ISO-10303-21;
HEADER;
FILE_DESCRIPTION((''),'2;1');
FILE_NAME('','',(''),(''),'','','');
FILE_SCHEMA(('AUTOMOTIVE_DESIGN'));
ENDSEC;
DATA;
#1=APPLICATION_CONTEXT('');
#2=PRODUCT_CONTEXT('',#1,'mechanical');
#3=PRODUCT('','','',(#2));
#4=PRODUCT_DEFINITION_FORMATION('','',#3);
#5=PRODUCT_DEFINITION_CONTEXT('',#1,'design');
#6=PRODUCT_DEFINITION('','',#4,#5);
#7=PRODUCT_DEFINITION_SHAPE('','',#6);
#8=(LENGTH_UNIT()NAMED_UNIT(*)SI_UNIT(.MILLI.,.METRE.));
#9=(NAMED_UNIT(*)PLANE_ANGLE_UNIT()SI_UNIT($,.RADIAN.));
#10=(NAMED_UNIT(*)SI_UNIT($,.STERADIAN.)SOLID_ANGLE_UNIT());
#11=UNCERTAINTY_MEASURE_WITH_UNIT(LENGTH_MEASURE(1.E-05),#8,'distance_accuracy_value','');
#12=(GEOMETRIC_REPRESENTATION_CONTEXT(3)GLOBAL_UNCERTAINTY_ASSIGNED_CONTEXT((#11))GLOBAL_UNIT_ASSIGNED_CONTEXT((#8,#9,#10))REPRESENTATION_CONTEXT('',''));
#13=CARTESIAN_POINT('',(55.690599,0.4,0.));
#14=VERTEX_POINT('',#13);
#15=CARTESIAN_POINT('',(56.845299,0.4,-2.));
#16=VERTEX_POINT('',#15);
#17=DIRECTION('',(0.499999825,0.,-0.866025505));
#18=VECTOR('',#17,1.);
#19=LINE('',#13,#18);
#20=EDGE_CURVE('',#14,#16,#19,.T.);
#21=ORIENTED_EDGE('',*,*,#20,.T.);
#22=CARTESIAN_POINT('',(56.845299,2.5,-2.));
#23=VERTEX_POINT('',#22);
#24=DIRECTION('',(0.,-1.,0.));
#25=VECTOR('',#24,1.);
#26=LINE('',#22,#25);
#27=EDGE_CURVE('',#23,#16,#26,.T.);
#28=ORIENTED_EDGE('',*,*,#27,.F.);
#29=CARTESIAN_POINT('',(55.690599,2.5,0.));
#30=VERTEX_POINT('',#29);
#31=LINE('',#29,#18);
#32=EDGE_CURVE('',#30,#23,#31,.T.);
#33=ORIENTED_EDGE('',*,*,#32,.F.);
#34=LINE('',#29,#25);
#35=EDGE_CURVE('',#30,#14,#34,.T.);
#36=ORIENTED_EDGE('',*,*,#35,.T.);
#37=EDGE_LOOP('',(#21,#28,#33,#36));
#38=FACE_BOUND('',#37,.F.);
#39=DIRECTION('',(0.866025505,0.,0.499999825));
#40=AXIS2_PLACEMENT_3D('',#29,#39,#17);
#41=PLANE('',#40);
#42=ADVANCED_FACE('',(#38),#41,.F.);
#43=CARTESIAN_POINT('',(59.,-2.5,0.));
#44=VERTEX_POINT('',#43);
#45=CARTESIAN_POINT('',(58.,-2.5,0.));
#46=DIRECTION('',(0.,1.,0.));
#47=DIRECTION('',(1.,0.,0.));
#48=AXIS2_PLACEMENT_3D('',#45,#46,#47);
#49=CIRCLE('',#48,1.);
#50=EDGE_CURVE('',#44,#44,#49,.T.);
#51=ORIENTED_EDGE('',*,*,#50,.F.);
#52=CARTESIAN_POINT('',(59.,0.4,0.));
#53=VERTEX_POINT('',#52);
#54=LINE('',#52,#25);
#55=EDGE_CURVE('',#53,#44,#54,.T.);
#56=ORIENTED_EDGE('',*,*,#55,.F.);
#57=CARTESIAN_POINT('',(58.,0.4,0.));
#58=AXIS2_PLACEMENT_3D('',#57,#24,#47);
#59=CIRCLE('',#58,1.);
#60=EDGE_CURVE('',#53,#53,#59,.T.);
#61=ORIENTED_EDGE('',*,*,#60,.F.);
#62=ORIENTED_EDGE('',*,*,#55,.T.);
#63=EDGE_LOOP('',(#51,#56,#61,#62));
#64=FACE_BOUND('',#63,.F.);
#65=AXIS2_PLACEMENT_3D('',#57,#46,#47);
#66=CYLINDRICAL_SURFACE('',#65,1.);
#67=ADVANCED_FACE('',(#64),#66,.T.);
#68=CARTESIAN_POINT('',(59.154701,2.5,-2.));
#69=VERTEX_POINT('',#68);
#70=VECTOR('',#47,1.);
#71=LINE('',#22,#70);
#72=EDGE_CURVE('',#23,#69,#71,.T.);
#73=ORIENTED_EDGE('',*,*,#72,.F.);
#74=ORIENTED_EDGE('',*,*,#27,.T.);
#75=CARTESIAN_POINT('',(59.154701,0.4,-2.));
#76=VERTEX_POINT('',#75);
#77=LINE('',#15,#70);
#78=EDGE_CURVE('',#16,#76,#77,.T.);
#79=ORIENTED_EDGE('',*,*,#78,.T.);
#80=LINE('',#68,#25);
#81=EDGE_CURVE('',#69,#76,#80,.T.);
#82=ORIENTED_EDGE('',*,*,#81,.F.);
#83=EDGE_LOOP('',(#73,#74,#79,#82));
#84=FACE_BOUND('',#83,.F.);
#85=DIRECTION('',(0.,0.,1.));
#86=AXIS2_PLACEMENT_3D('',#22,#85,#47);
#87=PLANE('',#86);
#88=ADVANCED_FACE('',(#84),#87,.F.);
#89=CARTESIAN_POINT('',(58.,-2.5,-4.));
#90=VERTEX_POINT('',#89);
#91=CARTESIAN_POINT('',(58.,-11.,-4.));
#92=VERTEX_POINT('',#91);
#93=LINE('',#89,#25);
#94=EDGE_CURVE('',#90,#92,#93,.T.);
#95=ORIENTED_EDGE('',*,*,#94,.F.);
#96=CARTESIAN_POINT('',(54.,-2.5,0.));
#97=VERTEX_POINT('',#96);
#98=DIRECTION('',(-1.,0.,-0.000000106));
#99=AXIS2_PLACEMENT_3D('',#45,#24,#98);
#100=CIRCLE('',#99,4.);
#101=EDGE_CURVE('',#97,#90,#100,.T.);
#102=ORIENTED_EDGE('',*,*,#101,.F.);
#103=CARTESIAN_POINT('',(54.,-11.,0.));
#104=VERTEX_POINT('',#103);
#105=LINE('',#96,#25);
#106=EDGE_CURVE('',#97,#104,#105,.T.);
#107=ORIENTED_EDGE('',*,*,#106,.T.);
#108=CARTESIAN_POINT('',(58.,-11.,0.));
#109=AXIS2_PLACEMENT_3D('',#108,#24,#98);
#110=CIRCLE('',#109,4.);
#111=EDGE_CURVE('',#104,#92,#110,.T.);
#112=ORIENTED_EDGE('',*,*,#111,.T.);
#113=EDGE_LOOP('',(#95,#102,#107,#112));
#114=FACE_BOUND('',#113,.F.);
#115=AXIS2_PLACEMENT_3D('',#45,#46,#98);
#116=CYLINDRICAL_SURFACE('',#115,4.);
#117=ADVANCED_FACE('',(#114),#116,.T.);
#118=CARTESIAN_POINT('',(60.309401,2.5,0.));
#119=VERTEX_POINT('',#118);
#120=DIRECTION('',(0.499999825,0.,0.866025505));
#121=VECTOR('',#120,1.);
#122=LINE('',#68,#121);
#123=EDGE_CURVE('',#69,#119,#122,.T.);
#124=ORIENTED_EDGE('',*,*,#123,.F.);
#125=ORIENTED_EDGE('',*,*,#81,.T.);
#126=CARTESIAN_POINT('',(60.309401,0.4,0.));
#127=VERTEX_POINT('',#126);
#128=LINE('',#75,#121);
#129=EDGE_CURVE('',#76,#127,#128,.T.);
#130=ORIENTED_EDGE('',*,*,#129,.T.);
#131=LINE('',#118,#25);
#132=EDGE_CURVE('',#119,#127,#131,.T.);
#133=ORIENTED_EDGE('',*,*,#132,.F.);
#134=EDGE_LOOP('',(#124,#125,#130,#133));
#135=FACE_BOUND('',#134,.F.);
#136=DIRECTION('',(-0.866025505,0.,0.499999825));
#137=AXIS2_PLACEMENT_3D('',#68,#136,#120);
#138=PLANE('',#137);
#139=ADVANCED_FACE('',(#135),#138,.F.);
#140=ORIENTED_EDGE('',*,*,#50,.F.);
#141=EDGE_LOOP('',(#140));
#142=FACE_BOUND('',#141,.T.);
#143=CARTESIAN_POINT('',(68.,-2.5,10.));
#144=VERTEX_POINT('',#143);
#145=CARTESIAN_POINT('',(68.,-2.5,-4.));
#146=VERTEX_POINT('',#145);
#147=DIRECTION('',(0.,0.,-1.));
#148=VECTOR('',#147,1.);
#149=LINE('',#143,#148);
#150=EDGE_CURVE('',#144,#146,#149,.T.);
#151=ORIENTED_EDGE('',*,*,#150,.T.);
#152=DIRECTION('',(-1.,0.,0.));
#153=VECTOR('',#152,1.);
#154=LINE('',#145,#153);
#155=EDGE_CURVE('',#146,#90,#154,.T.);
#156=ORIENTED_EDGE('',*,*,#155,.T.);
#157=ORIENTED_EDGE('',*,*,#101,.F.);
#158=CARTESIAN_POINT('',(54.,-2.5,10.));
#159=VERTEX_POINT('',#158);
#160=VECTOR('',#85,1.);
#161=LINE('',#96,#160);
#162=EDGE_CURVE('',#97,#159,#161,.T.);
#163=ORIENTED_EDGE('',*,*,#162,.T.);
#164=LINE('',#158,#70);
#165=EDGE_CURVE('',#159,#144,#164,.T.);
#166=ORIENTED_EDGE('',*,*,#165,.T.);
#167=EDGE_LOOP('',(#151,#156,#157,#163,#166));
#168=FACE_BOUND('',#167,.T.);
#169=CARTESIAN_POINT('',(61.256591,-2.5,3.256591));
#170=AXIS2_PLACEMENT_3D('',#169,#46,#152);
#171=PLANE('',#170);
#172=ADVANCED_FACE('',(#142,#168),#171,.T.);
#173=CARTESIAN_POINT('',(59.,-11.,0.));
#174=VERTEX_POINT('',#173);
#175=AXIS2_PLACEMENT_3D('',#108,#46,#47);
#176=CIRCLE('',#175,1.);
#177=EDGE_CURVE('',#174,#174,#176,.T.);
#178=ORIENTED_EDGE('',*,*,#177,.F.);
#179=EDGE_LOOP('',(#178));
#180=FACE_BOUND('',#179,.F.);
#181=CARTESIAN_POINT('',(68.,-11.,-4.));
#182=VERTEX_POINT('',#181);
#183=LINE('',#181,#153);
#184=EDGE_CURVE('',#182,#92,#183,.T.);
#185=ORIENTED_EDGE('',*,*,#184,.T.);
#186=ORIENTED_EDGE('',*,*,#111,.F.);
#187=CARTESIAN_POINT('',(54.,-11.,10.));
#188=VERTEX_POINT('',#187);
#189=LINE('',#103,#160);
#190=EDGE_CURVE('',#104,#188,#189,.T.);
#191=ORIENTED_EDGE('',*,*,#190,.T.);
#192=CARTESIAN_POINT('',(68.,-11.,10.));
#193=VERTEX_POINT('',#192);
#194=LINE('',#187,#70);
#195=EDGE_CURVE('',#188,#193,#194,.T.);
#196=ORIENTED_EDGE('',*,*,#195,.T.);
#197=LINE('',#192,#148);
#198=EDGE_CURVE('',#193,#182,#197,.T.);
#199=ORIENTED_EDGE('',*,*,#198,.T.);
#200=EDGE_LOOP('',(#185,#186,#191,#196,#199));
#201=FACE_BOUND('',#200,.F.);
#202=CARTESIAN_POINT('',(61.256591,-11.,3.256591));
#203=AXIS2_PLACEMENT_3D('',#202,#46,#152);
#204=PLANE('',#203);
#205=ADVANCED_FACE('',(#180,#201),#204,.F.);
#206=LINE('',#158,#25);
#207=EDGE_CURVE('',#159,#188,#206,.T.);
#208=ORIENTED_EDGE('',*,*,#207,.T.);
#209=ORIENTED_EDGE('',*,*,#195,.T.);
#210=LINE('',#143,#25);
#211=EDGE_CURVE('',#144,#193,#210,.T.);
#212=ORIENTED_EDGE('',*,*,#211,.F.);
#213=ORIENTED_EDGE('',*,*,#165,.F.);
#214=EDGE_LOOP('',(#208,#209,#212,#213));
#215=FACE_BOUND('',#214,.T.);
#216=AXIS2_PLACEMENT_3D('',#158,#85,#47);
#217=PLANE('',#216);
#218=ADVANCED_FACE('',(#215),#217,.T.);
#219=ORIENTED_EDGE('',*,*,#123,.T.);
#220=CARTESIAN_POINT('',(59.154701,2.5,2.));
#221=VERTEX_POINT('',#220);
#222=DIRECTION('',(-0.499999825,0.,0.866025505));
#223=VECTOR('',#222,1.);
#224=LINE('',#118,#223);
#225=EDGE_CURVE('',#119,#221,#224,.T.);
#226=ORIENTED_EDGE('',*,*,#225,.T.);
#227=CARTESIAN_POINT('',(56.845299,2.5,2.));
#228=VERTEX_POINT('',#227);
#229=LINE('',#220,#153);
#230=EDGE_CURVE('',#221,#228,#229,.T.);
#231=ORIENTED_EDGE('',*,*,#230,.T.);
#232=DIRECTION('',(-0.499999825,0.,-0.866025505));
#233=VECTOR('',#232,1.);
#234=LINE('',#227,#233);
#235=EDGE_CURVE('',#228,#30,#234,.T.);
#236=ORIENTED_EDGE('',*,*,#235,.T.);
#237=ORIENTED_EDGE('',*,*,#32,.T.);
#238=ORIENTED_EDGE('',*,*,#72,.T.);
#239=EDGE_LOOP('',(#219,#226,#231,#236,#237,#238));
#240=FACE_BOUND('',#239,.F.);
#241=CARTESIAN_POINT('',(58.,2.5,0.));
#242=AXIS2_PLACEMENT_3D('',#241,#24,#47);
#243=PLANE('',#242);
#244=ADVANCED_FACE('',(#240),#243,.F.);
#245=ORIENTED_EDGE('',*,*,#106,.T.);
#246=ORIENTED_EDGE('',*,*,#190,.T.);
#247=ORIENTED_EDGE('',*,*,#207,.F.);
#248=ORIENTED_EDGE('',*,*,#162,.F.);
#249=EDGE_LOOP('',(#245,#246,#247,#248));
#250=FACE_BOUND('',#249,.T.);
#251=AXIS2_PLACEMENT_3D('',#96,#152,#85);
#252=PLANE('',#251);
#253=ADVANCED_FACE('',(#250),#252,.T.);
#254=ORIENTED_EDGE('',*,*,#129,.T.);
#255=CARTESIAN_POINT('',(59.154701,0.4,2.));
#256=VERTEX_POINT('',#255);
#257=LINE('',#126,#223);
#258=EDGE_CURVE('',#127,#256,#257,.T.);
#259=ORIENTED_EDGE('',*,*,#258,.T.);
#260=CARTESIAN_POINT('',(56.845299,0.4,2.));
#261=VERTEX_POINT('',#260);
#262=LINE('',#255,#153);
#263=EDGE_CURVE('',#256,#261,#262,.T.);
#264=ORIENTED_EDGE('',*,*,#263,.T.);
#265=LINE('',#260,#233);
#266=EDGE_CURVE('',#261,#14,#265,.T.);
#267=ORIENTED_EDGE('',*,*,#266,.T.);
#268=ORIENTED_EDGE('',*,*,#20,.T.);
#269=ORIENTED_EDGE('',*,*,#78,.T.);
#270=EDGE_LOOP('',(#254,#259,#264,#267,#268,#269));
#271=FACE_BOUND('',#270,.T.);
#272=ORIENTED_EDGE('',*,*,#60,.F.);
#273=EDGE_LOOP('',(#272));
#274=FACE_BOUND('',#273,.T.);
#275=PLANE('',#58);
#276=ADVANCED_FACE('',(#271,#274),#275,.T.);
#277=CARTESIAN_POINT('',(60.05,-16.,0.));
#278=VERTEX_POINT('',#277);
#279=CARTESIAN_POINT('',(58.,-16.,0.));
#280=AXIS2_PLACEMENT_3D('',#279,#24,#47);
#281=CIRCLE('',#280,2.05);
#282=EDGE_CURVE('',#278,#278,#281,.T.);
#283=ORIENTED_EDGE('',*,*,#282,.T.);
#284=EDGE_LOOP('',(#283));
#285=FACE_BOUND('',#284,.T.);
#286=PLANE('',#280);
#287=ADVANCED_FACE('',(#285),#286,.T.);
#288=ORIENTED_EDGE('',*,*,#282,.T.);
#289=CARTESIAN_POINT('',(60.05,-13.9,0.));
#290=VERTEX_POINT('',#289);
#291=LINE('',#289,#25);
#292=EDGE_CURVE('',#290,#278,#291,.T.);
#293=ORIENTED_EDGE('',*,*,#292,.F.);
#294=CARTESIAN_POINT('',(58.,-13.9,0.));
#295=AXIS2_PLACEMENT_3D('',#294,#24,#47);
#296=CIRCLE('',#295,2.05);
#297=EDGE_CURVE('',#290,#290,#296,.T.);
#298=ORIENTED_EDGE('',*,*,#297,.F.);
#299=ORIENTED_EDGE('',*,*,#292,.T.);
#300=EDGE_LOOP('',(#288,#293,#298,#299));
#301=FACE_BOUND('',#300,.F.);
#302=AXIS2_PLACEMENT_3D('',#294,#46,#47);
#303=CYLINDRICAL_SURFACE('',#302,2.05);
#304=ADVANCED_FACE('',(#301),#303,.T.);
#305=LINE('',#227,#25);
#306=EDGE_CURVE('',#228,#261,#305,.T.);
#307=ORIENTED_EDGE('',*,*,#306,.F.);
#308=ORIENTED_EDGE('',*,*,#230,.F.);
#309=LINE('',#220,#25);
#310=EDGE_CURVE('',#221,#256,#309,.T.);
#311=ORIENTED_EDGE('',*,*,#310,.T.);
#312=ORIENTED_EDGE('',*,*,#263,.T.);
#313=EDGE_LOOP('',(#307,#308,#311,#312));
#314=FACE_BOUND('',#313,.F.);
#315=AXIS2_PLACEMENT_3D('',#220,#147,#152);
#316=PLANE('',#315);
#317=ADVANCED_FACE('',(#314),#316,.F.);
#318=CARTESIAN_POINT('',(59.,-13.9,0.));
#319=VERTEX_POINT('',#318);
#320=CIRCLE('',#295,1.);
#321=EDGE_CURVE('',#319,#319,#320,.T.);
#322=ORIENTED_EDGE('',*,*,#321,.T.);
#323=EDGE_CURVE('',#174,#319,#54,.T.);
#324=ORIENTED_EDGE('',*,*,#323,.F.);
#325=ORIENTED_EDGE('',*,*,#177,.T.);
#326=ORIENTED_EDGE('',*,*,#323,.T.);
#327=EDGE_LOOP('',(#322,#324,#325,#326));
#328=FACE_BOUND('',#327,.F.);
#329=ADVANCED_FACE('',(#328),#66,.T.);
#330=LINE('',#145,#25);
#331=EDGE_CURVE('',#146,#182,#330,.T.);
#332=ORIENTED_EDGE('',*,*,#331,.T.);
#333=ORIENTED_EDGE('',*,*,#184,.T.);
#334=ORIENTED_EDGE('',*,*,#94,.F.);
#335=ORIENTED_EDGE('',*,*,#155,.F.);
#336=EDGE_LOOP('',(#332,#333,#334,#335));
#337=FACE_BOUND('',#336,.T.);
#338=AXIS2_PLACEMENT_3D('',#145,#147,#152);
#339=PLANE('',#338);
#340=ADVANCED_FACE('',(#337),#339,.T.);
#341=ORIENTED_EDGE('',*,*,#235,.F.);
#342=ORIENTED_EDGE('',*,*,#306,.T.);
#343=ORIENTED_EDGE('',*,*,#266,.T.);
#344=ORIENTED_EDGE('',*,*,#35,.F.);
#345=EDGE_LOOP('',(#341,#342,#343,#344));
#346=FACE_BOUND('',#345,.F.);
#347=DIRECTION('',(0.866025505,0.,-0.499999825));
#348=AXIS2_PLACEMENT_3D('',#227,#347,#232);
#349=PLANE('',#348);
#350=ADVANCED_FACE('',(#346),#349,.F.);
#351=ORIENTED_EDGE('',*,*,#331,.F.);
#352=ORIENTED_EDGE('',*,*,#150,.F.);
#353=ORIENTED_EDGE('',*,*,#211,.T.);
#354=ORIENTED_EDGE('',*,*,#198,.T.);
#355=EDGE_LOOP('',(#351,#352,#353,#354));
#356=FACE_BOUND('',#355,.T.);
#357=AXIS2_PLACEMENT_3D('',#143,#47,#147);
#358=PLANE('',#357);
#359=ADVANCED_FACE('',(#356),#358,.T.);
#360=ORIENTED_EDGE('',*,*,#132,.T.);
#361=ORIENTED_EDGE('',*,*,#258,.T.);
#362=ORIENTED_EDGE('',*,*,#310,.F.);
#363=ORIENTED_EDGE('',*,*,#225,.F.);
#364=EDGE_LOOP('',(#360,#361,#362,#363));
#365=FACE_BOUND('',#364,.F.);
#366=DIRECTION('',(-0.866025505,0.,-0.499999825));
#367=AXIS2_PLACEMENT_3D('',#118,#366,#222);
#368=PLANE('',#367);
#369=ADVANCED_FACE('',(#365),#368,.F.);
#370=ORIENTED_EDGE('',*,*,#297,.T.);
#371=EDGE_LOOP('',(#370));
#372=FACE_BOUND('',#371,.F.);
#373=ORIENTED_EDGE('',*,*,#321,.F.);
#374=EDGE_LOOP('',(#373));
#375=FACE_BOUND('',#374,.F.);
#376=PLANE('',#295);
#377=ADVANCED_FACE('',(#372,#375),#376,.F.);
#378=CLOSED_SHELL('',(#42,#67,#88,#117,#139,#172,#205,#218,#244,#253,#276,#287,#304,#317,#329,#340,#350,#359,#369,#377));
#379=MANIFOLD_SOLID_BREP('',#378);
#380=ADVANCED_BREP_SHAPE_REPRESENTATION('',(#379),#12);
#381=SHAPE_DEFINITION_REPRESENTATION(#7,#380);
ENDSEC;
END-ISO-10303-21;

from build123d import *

# Parameters (mm, degrees)
PAD006_DEPTH = 2.1
SKETCH008_R  = 1
PAD008_DEPTH = 14.3
SKETCH006_R  = 2.05
PAD009_DEPTH = 2.1
PAD007_DEPTH = 8.5


with BuildPart() as part:
    # Sketch007 → Pad006 (new body)
    with BuildSketch(Plane.XZ.offset(-2.5)):
        Polygon((59.154701, -2), (60.309401, 0), (59.154701, 2), (56.845299, 2), (55.690599, 0), (56.845299, -2), align=None)
    extrude(amount=PAD006_DEPTH)

    # Sketch008 (on Face8 of Pad006) → Pad008 (join)
    with BuildSketch(Plane.XZ.offset(-0.4)):
        with Locations((58, 0)):
            Circle(SKETCH008_R)
    extrude(amount=PAD008_DEPTH)

    # Sketch006 (on Face10 of Pad008) → Pad009 (join)
    with BuildSketch(Plane.XZ.offset(13.9)):
        with Locations((58, 0)):
            Circle(SKETCH006_R)
    extrude(amount=PAD009_DEPTH)

    # Sketch009 → Pad007 (join)
    with BuildSketch(Plane.XZ.offset(2.5)):
        with BuildLine():
            Line((54, 10), (68, 10))
            Line((68, 10), (68, -4))
            Line((68, -4), (58, -4))
            ThreePointArc((54, 0), (55.171573, -2.828427), (58, -4))
            Line((54, 0), (54, 10))
        make_face()
    extrude(amount=PAD007_DEPTH)


solid = part.part
